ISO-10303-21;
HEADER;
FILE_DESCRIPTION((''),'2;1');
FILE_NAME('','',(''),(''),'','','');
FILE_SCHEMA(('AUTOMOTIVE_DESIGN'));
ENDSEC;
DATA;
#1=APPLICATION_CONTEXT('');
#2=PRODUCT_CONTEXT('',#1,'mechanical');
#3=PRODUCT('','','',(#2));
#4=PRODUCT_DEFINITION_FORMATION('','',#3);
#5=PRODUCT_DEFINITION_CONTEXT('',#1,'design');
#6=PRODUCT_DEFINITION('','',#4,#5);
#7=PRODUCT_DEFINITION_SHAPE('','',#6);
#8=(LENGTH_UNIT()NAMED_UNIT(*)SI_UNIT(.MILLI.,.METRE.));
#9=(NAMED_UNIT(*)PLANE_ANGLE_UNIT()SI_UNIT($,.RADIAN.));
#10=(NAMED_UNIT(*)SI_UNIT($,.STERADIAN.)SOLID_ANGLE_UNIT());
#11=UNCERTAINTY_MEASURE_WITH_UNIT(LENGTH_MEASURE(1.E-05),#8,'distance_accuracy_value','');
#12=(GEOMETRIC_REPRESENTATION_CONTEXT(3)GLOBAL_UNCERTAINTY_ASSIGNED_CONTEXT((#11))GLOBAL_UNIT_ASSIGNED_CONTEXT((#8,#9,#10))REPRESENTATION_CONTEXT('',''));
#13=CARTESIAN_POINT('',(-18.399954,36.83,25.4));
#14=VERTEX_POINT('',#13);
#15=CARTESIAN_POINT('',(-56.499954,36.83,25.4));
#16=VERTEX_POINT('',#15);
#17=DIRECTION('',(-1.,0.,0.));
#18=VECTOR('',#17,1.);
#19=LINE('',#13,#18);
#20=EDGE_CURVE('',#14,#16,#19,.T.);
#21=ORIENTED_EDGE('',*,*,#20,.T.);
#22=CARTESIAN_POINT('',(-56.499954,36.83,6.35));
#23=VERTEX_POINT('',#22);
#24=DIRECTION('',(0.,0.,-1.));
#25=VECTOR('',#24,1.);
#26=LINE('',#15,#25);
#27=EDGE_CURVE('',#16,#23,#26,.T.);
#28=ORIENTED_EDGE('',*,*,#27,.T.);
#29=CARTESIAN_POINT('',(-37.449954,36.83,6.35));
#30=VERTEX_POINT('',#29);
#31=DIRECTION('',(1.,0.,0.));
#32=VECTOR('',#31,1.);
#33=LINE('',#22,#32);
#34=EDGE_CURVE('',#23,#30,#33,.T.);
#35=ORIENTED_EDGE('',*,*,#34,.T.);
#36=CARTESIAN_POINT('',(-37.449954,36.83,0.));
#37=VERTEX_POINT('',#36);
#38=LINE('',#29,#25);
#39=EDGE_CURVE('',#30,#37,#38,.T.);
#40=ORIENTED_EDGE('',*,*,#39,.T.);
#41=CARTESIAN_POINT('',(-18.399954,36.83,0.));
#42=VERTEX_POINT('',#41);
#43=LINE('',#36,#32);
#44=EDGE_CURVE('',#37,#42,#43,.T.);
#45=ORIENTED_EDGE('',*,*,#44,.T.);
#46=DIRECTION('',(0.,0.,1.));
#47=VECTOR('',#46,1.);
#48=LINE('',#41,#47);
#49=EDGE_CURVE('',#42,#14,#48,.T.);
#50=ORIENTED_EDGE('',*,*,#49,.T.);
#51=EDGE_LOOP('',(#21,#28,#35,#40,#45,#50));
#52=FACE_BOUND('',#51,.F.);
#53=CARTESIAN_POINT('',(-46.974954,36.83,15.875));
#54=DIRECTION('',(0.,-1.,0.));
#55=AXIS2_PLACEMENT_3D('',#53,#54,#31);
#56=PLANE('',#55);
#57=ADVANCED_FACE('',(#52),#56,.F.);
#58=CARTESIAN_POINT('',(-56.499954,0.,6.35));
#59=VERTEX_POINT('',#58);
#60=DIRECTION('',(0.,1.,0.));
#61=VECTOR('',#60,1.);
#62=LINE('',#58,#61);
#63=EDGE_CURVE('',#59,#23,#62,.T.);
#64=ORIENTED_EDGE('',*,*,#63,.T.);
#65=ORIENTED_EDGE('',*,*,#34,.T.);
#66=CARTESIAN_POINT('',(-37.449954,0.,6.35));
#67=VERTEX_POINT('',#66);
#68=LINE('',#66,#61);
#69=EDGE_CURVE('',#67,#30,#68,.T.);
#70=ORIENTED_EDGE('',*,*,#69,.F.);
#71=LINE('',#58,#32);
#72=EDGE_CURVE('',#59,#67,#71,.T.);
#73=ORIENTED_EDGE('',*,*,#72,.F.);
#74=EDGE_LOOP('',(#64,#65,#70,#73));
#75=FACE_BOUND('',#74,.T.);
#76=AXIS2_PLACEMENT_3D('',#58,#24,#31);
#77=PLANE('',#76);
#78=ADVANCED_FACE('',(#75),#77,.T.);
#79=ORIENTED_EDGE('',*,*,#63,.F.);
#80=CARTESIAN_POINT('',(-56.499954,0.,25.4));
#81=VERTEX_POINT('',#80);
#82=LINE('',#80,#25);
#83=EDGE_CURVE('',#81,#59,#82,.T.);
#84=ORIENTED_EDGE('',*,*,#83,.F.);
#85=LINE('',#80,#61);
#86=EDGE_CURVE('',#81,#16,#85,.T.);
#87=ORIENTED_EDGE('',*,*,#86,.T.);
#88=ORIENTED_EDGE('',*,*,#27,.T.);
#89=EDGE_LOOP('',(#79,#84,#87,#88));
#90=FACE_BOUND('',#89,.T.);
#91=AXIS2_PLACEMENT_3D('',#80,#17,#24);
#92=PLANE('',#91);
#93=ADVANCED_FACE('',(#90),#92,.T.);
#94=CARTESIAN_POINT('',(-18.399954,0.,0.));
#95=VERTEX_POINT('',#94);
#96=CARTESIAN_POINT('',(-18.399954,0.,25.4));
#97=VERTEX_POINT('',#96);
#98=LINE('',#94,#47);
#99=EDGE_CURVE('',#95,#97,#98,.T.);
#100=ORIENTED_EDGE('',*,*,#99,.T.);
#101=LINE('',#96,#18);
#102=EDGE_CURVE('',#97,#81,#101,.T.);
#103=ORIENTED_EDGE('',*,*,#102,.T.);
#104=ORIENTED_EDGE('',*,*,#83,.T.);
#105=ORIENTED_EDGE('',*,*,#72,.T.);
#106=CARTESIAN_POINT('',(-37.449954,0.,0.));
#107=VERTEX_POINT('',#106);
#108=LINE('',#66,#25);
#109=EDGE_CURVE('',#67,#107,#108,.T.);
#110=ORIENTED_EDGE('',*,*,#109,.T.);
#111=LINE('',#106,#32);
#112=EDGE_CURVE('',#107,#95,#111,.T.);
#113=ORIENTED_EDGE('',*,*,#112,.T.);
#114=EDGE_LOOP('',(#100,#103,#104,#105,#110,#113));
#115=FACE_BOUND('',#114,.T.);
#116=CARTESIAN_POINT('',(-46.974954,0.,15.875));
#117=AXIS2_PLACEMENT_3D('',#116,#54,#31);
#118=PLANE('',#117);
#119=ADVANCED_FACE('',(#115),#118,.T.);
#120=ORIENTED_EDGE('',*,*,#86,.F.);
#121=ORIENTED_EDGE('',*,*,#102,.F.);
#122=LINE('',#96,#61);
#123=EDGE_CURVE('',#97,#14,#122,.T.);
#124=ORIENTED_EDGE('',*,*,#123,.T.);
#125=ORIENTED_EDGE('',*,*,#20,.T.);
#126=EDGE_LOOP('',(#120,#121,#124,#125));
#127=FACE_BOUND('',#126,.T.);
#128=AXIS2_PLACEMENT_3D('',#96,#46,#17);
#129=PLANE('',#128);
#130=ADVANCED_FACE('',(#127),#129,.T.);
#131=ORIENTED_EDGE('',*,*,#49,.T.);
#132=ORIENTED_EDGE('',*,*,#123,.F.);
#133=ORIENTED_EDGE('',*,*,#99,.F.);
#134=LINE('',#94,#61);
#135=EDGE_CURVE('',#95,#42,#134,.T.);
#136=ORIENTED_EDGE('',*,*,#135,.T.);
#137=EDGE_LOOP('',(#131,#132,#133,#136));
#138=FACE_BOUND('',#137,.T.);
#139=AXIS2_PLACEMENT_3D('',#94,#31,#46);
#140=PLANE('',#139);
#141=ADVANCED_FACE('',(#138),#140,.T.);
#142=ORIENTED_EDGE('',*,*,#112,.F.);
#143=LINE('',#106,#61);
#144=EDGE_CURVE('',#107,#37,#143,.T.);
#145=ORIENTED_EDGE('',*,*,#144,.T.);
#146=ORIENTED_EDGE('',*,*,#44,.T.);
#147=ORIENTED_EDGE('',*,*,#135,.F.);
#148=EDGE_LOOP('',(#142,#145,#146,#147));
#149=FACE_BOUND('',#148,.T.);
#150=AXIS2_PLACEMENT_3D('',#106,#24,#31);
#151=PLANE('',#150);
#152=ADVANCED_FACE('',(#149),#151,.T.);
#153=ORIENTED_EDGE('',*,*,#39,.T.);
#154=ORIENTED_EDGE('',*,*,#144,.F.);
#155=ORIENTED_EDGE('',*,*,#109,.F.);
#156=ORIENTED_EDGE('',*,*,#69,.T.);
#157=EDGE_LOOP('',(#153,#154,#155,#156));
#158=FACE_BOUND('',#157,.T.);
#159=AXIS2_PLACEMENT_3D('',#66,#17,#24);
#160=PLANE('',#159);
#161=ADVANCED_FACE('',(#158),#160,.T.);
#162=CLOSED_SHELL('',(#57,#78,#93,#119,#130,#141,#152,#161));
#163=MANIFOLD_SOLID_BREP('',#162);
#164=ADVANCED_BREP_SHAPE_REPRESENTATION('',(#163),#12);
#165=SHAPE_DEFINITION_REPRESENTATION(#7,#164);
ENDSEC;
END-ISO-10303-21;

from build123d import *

# Parameters (mm, degrees)
F0_W     = 19.05
F0_H     = 6.35
F1_DEPTH = 36.83


with BuildPart() as f1:
    # F0 (on Front) → F1 (new body)
    with BuildSketch(Plane.XZ):
        Polygon((-37.449954, 6.35), (-37.449954, 19.05), (-37.449954, 25.4), (-56.499954, 25.4), (-56.499954, 6.35), align=None)
        with Locations((-27.924954, 22.225)):
            Rectangle(F0_W, F0_H)
        Polygon((-37.449954, 0), (-18.399954, 0), (-18.399954, 19.05), (-37.449954, 19.05), (-37.449954, 6.35), align=None)
    extrude(amount=-F1_DEPTH)


solid = f1.part
